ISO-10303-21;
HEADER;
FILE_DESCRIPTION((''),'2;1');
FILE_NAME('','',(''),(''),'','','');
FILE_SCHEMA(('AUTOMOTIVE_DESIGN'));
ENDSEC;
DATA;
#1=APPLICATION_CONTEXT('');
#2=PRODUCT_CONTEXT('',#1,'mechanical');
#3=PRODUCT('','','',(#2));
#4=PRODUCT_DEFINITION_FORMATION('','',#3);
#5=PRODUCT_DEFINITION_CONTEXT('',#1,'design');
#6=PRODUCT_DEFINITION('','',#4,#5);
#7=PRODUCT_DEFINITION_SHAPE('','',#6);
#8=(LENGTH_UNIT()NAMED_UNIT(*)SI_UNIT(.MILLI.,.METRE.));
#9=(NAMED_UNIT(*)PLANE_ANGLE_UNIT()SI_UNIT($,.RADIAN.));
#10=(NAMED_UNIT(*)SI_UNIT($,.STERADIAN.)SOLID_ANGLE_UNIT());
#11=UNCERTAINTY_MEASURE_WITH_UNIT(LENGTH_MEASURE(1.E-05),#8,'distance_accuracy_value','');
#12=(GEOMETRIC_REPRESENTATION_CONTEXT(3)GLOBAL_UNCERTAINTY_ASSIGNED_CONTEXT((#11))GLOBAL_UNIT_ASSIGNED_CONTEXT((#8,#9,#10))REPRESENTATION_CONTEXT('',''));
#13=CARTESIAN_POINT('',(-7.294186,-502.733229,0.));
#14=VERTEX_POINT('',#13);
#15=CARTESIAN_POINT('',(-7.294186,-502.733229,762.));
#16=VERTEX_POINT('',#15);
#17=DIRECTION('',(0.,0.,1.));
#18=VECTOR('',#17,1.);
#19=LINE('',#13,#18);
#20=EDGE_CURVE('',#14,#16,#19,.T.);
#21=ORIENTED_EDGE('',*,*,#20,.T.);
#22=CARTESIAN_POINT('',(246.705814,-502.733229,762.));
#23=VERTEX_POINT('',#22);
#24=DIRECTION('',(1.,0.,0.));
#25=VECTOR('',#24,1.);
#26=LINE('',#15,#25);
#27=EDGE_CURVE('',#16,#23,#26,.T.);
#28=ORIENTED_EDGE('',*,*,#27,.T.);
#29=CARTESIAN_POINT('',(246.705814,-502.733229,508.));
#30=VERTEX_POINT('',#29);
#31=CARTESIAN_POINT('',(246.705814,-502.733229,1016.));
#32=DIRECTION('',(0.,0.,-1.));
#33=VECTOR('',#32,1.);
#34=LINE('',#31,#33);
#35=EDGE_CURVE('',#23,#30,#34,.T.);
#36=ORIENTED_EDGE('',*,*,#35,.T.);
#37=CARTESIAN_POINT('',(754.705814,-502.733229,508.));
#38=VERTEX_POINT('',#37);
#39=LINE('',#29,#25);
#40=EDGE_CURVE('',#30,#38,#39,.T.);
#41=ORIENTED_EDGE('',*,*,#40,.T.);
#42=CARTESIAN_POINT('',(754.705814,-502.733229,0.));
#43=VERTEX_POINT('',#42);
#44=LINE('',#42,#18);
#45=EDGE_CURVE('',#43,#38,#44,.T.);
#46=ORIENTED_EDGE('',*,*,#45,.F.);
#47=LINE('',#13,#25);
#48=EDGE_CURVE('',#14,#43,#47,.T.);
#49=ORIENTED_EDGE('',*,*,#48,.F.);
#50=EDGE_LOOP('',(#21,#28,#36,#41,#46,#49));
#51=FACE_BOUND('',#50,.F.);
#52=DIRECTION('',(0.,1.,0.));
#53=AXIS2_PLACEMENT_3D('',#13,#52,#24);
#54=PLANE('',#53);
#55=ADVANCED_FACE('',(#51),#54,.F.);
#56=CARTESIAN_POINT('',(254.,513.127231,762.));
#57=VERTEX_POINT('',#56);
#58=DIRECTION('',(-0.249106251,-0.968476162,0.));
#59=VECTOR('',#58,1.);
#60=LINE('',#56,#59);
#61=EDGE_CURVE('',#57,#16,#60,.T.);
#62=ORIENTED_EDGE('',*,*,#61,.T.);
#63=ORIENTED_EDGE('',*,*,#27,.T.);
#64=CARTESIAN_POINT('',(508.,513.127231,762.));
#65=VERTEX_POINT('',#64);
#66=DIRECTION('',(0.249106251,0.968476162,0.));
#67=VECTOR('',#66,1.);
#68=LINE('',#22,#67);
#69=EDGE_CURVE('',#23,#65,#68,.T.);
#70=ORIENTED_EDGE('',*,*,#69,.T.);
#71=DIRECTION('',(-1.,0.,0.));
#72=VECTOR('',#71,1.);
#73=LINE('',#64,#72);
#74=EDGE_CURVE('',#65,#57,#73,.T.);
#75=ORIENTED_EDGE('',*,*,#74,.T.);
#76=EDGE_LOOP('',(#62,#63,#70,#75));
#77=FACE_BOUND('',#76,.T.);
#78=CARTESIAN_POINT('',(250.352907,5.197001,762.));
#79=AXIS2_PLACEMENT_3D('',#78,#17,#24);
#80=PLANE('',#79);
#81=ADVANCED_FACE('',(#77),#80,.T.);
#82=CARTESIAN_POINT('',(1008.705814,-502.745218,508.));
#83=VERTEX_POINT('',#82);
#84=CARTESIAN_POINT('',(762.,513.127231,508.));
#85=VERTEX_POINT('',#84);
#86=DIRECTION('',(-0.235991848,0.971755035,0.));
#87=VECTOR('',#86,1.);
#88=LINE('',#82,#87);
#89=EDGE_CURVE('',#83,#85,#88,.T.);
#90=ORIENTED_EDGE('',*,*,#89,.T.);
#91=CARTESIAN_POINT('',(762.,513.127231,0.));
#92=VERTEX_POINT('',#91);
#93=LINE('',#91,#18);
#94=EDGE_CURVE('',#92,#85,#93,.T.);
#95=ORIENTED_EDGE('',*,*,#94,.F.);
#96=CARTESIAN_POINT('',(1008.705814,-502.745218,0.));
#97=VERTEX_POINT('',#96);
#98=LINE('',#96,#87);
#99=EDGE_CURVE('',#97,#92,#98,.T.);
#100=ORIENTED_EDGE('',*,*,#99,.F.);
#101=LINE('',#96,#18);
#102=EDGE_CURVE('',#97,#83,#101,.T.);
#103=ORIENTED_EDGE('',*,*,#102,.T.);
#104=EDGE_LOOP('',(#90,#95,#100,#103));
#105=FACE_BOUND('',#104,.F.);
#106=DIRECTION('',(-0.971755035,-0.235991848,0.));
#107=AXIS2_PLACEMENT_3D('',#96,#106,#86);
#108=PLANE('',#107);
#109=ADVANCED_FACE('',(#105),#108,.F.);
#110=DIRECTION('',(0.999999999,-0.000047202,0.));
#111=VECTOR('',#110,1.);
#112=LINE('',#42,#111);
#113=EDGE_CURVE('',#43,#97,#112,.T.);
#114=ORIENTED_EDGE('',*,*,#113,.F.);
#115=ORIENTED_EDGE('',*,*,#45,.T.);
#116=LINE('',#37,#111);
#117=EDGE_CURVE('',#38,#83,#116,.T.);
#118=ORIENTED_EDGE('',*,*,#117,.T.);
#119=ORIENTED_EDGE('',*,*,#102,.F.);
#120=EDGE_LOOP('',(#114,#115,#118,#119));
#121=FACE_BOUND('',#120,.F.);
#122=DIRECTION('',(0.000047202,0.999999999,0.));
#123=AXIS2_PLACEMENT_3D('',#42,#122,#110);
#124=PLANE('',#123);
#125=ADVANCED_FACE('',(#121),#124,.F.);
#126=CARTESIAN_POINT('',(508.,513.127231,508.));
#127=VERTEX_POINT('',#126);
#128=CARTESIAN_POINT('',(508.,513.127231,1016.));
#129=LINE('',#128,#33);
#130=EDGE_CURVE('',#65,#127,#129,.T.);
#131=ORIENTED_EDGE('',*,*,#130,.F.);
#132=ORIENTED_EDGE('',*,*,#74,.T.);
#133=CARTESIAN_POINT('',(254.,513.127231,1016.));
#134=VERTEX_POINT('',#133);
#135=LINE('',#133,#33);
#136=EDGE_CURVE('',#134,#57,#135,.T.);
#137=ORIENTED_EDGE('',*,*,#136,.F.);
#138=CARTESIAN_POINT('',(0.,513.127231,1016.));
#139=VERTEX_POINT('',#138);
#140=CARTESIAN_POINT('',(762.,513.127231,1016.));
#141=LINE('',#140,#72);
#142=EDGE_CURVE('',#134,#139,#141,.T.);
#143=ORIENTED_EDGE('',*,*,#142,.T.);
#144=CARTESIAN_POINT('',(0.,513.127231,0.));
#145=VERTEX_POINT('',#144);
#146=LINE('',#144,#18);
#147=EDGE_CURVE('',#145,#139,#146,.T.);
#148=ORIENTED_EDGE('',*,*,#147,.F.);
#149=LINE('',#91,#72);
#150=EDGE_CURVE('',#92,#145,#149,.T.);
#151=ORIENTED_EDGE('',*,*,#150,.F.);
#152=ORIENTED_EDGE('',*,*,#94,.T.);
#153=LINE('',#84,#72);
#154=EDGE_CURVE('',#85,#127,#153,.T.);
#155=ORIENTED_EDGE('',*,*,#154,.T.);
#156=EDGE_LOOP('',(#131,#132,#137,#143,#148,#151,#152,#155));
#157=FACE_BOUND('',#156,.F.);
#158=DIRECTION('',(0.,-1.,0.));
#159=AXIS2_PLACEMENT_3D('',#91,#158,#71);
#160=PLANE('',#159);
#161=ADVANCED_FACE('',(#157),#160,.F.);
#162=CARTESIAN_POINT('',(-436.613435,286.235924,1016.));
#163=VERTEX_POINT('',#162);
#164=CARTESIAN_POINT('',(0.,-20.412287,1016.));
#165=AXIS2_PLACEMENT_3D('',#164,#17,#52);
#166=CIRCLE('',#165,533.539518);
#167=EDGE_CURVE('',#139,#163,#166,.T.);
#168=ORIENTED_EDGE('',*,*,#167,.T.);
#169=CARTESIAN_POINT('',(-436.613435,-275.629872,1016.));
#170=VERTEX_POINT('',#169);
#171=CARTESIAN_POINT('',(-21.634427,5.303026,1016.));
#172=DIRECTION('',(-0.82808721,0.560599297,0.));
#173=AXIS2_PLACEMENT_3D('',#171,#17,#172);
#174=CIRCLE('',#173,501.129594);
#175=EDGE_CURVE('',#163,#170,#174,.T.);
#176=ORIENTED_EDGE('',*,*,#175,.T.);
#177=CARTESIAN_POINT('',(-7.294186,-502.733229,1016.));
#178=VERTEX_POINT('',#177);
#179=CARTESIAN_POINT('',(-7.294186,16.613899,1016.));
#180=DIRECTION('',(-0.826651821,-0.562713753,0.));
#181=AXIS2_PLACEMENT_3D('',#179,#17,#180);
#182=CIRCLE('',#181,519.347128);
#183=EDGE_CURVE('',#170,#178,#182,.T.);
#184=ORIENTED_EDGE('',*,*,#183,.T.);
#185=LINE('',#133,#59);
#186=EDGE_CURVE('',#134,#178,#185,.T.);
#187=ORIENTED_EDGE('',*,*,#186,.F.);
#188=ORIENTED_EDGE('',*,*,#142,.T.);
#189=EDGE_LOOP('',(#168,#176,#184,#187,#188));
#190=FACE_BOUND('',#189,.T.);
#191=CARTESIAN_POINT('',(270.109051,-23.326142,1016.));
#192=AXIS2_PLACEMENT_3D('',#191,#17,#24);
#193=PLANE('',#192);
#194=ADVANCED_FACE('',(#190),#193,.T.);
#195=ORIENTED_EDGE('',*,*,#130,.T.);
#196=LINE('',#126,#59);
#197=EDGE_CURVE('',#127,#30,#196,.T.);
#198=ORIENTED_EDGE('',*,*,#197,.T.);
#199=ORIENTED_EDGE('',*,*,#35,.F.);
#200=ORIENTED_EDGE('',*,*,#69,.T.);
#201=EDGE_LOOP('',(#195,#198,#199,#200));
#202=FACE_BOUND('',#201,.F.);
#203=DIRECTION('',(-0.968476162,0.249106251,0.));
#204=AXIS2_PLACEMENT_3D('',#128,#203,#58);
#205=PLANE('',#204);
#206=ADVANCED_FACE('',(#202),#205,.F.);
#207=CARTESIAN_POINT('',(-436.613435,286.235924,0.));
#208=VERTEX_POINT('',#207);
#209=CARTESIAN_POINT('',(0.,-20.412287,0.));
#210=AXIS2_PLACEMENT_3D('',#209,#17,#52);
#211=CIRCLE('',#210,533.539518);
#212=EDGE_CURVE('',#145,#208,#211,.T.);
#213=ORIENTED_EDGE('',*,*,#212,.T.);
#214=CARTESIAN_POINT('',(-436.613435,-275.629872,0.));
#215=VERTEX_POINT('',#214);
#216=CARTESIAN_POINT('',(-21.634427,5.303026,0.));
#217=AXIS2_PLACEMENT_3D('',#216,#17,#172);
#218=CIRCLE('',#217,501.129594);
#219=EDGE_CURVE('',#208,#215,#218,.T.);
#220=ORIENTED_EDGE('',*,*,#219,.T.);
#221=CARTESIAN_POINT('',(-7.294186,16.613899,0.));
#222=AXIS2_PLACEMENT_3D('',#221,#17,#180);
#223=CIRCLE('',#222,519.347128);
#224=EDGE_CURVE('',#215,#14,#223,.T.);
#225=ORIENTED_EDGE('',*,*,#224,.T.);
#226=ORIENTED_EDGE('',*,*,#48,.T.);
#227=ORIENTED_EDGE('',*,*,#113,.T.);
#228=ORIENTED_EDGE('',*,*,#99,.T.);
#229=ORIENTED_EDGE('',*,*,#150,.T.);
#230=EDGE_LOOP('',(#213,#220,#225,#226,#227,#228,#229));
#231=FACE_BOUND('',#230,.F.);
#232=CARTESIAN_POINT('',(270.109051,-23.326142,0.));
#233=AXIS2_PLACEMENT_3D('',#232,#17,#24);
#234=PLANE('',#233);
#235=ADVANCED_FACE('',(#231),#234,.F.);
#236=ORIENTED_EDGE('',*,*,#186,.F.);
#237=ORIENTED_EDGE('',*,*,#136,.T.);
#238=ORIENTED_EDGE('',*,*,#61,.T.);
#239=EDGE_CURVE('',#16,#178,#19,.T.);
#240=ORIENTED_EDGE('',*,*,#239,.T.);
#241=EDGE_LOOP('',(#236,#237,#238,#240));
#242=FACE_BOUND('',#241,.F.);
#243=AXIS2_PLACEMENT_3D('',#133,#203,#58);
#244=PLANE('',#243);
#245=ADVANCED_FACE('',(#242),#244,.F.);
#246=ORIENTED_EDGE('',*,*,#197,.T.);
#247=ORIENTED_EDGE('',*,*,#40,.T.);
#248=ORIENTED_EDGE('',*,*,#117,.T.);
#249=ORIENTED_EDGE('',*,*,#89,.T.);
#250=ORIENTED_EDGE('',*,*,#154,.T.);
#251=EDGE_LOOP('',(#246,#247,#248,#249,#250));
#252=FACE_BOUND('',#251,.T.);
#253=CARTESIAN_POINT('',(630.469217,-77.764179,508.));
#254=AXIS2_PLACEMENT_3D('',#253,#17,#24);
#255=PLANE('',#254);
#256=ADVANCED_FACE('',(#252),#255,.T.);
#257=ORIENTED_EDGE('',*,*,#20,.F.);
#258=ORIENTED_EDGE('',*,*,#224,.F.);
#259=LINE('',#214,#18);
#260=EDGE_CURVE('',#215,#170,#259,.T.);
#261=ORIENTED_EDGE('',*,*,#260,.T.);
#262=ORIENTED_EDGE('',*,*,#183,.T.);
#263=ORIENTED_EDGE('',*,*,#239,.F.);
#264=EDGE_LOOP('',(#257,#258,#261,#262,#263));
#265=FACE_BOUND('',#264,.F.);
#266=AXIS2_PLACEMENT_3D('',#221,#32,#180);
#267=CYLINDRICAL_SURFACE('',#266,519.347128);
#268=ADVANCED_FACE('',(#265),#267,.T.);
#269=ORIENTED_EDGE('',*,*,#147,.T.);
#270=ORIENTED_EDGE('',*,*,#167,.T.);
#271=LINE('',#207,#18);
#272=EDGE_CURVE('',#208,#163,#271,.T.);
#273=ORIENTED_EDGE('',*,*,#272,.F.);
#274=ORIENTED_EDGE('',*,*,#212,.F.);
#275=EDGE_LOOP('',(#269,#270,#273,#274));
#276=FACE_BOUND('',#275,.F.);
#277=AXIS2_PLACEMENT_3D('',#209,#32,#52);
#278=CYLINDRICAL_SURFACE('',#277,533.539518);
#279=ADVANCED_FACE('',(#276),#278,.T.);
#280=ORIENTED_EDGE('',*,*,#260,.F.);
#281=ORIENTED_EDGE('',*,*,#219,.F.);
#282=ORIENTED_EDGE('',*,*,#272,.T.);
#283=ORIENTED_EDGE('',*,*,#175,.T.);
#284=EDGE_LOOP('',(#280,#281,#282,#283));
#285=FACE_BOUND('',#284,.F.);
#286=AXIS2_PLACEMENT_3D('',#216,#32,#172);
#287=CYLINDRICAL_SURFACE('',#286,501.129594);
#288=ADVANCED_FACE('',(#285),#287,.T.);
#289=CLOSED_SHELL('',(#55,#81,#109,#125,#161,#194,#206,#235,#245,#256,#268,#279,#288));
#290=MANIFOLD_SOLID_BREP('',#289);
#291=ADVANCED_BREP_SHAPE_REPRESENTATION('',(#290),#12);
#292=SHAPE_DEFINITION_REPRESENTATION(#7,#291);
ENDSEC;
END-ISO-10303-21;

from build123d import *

# Parameters (mm, degrees)
F1_DEPTH = 1016
F3_DEPTH = 254
F6_DEPTH = 508
F7_DEPTH = 25
F8_DEPTH = 100


with BuildPart() as f1:
    # F0 (on Top) → F1 (new body)
    with BuildSketch(Plane.XY):
        with BuildLine():
            Line((762, 513.1272309102), (0, 513.1272309102))
            ThreePointArc((0, 513.1272309102), (-246.0238589032, 453.018466107), (-436.6134349374, 286.2359242663))
            ThreePointArc((-436.6134349374, 286.2359242663), (-522.7640214805, 5.3030259362), (-436.6134349374, -275.629872394))
            ThreePointArc((-436.6134349374, -275.629872394), (-250.137217706, -442.4598438392), (-7.2941860889, -502.7332290138))
            Line((-7.2941860889, -502.7332290138), (754.7058139111, -502.7332290138))
            Line((754.7058139111, -502.7332290138), (1008.7058136281, -502.7452183176))
            Line((1008.7058136281, -502.7452183176), (762, 513.1272309102))
        make_face()
    extrude(amount=F1_DEPTH)

    # F2 (on face) → F3 (cut)
    with BuildSketch(Plane.XY.offset(1016)):
        Polygon((254, 513.1272309102), (-7.2941860889, -502.7332290138), (246.7058139111, -502.7332290138), (508, 513.1272309102), align=None)
    extrude(amount=-F3_DEPTH, mode=Mode.SUBTRACT)

    # F4 (on face) → F6 (cut)
    with BuildSketch(Plane.XY.offset(1016)):
        Polygon((246.7058139111, -502.7332290138), (754.7058139111, -502.7332290138), (1008.7058136281, -502.7452183176), (762, 513.1272309102), (508, 513.1272309102), align=None)
    extrude(amount=-F6_DEPTH, mode=Mode.SUBTRACT)


with BuildPart() as f7:
    # F5 (on face) → F7 (new body)
    with BuildSketch(Plane.XY.offset(1016)):
        Polygon((508, 513.1272309102), (246.7058139111, -502.7332290138), (754.7058139111, -502.7332290138), (1008.7058136281, -502.7452183176), (762, 513.1272309102), align=None)
    extrude(amount=F7_DEPTH)

    # F8 (cut): a face of the model
    f8_faces = [f7.faces().sort_by_distance(p)[0] for p in [
        (630.7450759157, -79.459043637, 1041),
    ]]
    extrude(f8_faces, amount=-F8_DEPTH, mode=Mode.SUBTRACT)


solid = f1.part
